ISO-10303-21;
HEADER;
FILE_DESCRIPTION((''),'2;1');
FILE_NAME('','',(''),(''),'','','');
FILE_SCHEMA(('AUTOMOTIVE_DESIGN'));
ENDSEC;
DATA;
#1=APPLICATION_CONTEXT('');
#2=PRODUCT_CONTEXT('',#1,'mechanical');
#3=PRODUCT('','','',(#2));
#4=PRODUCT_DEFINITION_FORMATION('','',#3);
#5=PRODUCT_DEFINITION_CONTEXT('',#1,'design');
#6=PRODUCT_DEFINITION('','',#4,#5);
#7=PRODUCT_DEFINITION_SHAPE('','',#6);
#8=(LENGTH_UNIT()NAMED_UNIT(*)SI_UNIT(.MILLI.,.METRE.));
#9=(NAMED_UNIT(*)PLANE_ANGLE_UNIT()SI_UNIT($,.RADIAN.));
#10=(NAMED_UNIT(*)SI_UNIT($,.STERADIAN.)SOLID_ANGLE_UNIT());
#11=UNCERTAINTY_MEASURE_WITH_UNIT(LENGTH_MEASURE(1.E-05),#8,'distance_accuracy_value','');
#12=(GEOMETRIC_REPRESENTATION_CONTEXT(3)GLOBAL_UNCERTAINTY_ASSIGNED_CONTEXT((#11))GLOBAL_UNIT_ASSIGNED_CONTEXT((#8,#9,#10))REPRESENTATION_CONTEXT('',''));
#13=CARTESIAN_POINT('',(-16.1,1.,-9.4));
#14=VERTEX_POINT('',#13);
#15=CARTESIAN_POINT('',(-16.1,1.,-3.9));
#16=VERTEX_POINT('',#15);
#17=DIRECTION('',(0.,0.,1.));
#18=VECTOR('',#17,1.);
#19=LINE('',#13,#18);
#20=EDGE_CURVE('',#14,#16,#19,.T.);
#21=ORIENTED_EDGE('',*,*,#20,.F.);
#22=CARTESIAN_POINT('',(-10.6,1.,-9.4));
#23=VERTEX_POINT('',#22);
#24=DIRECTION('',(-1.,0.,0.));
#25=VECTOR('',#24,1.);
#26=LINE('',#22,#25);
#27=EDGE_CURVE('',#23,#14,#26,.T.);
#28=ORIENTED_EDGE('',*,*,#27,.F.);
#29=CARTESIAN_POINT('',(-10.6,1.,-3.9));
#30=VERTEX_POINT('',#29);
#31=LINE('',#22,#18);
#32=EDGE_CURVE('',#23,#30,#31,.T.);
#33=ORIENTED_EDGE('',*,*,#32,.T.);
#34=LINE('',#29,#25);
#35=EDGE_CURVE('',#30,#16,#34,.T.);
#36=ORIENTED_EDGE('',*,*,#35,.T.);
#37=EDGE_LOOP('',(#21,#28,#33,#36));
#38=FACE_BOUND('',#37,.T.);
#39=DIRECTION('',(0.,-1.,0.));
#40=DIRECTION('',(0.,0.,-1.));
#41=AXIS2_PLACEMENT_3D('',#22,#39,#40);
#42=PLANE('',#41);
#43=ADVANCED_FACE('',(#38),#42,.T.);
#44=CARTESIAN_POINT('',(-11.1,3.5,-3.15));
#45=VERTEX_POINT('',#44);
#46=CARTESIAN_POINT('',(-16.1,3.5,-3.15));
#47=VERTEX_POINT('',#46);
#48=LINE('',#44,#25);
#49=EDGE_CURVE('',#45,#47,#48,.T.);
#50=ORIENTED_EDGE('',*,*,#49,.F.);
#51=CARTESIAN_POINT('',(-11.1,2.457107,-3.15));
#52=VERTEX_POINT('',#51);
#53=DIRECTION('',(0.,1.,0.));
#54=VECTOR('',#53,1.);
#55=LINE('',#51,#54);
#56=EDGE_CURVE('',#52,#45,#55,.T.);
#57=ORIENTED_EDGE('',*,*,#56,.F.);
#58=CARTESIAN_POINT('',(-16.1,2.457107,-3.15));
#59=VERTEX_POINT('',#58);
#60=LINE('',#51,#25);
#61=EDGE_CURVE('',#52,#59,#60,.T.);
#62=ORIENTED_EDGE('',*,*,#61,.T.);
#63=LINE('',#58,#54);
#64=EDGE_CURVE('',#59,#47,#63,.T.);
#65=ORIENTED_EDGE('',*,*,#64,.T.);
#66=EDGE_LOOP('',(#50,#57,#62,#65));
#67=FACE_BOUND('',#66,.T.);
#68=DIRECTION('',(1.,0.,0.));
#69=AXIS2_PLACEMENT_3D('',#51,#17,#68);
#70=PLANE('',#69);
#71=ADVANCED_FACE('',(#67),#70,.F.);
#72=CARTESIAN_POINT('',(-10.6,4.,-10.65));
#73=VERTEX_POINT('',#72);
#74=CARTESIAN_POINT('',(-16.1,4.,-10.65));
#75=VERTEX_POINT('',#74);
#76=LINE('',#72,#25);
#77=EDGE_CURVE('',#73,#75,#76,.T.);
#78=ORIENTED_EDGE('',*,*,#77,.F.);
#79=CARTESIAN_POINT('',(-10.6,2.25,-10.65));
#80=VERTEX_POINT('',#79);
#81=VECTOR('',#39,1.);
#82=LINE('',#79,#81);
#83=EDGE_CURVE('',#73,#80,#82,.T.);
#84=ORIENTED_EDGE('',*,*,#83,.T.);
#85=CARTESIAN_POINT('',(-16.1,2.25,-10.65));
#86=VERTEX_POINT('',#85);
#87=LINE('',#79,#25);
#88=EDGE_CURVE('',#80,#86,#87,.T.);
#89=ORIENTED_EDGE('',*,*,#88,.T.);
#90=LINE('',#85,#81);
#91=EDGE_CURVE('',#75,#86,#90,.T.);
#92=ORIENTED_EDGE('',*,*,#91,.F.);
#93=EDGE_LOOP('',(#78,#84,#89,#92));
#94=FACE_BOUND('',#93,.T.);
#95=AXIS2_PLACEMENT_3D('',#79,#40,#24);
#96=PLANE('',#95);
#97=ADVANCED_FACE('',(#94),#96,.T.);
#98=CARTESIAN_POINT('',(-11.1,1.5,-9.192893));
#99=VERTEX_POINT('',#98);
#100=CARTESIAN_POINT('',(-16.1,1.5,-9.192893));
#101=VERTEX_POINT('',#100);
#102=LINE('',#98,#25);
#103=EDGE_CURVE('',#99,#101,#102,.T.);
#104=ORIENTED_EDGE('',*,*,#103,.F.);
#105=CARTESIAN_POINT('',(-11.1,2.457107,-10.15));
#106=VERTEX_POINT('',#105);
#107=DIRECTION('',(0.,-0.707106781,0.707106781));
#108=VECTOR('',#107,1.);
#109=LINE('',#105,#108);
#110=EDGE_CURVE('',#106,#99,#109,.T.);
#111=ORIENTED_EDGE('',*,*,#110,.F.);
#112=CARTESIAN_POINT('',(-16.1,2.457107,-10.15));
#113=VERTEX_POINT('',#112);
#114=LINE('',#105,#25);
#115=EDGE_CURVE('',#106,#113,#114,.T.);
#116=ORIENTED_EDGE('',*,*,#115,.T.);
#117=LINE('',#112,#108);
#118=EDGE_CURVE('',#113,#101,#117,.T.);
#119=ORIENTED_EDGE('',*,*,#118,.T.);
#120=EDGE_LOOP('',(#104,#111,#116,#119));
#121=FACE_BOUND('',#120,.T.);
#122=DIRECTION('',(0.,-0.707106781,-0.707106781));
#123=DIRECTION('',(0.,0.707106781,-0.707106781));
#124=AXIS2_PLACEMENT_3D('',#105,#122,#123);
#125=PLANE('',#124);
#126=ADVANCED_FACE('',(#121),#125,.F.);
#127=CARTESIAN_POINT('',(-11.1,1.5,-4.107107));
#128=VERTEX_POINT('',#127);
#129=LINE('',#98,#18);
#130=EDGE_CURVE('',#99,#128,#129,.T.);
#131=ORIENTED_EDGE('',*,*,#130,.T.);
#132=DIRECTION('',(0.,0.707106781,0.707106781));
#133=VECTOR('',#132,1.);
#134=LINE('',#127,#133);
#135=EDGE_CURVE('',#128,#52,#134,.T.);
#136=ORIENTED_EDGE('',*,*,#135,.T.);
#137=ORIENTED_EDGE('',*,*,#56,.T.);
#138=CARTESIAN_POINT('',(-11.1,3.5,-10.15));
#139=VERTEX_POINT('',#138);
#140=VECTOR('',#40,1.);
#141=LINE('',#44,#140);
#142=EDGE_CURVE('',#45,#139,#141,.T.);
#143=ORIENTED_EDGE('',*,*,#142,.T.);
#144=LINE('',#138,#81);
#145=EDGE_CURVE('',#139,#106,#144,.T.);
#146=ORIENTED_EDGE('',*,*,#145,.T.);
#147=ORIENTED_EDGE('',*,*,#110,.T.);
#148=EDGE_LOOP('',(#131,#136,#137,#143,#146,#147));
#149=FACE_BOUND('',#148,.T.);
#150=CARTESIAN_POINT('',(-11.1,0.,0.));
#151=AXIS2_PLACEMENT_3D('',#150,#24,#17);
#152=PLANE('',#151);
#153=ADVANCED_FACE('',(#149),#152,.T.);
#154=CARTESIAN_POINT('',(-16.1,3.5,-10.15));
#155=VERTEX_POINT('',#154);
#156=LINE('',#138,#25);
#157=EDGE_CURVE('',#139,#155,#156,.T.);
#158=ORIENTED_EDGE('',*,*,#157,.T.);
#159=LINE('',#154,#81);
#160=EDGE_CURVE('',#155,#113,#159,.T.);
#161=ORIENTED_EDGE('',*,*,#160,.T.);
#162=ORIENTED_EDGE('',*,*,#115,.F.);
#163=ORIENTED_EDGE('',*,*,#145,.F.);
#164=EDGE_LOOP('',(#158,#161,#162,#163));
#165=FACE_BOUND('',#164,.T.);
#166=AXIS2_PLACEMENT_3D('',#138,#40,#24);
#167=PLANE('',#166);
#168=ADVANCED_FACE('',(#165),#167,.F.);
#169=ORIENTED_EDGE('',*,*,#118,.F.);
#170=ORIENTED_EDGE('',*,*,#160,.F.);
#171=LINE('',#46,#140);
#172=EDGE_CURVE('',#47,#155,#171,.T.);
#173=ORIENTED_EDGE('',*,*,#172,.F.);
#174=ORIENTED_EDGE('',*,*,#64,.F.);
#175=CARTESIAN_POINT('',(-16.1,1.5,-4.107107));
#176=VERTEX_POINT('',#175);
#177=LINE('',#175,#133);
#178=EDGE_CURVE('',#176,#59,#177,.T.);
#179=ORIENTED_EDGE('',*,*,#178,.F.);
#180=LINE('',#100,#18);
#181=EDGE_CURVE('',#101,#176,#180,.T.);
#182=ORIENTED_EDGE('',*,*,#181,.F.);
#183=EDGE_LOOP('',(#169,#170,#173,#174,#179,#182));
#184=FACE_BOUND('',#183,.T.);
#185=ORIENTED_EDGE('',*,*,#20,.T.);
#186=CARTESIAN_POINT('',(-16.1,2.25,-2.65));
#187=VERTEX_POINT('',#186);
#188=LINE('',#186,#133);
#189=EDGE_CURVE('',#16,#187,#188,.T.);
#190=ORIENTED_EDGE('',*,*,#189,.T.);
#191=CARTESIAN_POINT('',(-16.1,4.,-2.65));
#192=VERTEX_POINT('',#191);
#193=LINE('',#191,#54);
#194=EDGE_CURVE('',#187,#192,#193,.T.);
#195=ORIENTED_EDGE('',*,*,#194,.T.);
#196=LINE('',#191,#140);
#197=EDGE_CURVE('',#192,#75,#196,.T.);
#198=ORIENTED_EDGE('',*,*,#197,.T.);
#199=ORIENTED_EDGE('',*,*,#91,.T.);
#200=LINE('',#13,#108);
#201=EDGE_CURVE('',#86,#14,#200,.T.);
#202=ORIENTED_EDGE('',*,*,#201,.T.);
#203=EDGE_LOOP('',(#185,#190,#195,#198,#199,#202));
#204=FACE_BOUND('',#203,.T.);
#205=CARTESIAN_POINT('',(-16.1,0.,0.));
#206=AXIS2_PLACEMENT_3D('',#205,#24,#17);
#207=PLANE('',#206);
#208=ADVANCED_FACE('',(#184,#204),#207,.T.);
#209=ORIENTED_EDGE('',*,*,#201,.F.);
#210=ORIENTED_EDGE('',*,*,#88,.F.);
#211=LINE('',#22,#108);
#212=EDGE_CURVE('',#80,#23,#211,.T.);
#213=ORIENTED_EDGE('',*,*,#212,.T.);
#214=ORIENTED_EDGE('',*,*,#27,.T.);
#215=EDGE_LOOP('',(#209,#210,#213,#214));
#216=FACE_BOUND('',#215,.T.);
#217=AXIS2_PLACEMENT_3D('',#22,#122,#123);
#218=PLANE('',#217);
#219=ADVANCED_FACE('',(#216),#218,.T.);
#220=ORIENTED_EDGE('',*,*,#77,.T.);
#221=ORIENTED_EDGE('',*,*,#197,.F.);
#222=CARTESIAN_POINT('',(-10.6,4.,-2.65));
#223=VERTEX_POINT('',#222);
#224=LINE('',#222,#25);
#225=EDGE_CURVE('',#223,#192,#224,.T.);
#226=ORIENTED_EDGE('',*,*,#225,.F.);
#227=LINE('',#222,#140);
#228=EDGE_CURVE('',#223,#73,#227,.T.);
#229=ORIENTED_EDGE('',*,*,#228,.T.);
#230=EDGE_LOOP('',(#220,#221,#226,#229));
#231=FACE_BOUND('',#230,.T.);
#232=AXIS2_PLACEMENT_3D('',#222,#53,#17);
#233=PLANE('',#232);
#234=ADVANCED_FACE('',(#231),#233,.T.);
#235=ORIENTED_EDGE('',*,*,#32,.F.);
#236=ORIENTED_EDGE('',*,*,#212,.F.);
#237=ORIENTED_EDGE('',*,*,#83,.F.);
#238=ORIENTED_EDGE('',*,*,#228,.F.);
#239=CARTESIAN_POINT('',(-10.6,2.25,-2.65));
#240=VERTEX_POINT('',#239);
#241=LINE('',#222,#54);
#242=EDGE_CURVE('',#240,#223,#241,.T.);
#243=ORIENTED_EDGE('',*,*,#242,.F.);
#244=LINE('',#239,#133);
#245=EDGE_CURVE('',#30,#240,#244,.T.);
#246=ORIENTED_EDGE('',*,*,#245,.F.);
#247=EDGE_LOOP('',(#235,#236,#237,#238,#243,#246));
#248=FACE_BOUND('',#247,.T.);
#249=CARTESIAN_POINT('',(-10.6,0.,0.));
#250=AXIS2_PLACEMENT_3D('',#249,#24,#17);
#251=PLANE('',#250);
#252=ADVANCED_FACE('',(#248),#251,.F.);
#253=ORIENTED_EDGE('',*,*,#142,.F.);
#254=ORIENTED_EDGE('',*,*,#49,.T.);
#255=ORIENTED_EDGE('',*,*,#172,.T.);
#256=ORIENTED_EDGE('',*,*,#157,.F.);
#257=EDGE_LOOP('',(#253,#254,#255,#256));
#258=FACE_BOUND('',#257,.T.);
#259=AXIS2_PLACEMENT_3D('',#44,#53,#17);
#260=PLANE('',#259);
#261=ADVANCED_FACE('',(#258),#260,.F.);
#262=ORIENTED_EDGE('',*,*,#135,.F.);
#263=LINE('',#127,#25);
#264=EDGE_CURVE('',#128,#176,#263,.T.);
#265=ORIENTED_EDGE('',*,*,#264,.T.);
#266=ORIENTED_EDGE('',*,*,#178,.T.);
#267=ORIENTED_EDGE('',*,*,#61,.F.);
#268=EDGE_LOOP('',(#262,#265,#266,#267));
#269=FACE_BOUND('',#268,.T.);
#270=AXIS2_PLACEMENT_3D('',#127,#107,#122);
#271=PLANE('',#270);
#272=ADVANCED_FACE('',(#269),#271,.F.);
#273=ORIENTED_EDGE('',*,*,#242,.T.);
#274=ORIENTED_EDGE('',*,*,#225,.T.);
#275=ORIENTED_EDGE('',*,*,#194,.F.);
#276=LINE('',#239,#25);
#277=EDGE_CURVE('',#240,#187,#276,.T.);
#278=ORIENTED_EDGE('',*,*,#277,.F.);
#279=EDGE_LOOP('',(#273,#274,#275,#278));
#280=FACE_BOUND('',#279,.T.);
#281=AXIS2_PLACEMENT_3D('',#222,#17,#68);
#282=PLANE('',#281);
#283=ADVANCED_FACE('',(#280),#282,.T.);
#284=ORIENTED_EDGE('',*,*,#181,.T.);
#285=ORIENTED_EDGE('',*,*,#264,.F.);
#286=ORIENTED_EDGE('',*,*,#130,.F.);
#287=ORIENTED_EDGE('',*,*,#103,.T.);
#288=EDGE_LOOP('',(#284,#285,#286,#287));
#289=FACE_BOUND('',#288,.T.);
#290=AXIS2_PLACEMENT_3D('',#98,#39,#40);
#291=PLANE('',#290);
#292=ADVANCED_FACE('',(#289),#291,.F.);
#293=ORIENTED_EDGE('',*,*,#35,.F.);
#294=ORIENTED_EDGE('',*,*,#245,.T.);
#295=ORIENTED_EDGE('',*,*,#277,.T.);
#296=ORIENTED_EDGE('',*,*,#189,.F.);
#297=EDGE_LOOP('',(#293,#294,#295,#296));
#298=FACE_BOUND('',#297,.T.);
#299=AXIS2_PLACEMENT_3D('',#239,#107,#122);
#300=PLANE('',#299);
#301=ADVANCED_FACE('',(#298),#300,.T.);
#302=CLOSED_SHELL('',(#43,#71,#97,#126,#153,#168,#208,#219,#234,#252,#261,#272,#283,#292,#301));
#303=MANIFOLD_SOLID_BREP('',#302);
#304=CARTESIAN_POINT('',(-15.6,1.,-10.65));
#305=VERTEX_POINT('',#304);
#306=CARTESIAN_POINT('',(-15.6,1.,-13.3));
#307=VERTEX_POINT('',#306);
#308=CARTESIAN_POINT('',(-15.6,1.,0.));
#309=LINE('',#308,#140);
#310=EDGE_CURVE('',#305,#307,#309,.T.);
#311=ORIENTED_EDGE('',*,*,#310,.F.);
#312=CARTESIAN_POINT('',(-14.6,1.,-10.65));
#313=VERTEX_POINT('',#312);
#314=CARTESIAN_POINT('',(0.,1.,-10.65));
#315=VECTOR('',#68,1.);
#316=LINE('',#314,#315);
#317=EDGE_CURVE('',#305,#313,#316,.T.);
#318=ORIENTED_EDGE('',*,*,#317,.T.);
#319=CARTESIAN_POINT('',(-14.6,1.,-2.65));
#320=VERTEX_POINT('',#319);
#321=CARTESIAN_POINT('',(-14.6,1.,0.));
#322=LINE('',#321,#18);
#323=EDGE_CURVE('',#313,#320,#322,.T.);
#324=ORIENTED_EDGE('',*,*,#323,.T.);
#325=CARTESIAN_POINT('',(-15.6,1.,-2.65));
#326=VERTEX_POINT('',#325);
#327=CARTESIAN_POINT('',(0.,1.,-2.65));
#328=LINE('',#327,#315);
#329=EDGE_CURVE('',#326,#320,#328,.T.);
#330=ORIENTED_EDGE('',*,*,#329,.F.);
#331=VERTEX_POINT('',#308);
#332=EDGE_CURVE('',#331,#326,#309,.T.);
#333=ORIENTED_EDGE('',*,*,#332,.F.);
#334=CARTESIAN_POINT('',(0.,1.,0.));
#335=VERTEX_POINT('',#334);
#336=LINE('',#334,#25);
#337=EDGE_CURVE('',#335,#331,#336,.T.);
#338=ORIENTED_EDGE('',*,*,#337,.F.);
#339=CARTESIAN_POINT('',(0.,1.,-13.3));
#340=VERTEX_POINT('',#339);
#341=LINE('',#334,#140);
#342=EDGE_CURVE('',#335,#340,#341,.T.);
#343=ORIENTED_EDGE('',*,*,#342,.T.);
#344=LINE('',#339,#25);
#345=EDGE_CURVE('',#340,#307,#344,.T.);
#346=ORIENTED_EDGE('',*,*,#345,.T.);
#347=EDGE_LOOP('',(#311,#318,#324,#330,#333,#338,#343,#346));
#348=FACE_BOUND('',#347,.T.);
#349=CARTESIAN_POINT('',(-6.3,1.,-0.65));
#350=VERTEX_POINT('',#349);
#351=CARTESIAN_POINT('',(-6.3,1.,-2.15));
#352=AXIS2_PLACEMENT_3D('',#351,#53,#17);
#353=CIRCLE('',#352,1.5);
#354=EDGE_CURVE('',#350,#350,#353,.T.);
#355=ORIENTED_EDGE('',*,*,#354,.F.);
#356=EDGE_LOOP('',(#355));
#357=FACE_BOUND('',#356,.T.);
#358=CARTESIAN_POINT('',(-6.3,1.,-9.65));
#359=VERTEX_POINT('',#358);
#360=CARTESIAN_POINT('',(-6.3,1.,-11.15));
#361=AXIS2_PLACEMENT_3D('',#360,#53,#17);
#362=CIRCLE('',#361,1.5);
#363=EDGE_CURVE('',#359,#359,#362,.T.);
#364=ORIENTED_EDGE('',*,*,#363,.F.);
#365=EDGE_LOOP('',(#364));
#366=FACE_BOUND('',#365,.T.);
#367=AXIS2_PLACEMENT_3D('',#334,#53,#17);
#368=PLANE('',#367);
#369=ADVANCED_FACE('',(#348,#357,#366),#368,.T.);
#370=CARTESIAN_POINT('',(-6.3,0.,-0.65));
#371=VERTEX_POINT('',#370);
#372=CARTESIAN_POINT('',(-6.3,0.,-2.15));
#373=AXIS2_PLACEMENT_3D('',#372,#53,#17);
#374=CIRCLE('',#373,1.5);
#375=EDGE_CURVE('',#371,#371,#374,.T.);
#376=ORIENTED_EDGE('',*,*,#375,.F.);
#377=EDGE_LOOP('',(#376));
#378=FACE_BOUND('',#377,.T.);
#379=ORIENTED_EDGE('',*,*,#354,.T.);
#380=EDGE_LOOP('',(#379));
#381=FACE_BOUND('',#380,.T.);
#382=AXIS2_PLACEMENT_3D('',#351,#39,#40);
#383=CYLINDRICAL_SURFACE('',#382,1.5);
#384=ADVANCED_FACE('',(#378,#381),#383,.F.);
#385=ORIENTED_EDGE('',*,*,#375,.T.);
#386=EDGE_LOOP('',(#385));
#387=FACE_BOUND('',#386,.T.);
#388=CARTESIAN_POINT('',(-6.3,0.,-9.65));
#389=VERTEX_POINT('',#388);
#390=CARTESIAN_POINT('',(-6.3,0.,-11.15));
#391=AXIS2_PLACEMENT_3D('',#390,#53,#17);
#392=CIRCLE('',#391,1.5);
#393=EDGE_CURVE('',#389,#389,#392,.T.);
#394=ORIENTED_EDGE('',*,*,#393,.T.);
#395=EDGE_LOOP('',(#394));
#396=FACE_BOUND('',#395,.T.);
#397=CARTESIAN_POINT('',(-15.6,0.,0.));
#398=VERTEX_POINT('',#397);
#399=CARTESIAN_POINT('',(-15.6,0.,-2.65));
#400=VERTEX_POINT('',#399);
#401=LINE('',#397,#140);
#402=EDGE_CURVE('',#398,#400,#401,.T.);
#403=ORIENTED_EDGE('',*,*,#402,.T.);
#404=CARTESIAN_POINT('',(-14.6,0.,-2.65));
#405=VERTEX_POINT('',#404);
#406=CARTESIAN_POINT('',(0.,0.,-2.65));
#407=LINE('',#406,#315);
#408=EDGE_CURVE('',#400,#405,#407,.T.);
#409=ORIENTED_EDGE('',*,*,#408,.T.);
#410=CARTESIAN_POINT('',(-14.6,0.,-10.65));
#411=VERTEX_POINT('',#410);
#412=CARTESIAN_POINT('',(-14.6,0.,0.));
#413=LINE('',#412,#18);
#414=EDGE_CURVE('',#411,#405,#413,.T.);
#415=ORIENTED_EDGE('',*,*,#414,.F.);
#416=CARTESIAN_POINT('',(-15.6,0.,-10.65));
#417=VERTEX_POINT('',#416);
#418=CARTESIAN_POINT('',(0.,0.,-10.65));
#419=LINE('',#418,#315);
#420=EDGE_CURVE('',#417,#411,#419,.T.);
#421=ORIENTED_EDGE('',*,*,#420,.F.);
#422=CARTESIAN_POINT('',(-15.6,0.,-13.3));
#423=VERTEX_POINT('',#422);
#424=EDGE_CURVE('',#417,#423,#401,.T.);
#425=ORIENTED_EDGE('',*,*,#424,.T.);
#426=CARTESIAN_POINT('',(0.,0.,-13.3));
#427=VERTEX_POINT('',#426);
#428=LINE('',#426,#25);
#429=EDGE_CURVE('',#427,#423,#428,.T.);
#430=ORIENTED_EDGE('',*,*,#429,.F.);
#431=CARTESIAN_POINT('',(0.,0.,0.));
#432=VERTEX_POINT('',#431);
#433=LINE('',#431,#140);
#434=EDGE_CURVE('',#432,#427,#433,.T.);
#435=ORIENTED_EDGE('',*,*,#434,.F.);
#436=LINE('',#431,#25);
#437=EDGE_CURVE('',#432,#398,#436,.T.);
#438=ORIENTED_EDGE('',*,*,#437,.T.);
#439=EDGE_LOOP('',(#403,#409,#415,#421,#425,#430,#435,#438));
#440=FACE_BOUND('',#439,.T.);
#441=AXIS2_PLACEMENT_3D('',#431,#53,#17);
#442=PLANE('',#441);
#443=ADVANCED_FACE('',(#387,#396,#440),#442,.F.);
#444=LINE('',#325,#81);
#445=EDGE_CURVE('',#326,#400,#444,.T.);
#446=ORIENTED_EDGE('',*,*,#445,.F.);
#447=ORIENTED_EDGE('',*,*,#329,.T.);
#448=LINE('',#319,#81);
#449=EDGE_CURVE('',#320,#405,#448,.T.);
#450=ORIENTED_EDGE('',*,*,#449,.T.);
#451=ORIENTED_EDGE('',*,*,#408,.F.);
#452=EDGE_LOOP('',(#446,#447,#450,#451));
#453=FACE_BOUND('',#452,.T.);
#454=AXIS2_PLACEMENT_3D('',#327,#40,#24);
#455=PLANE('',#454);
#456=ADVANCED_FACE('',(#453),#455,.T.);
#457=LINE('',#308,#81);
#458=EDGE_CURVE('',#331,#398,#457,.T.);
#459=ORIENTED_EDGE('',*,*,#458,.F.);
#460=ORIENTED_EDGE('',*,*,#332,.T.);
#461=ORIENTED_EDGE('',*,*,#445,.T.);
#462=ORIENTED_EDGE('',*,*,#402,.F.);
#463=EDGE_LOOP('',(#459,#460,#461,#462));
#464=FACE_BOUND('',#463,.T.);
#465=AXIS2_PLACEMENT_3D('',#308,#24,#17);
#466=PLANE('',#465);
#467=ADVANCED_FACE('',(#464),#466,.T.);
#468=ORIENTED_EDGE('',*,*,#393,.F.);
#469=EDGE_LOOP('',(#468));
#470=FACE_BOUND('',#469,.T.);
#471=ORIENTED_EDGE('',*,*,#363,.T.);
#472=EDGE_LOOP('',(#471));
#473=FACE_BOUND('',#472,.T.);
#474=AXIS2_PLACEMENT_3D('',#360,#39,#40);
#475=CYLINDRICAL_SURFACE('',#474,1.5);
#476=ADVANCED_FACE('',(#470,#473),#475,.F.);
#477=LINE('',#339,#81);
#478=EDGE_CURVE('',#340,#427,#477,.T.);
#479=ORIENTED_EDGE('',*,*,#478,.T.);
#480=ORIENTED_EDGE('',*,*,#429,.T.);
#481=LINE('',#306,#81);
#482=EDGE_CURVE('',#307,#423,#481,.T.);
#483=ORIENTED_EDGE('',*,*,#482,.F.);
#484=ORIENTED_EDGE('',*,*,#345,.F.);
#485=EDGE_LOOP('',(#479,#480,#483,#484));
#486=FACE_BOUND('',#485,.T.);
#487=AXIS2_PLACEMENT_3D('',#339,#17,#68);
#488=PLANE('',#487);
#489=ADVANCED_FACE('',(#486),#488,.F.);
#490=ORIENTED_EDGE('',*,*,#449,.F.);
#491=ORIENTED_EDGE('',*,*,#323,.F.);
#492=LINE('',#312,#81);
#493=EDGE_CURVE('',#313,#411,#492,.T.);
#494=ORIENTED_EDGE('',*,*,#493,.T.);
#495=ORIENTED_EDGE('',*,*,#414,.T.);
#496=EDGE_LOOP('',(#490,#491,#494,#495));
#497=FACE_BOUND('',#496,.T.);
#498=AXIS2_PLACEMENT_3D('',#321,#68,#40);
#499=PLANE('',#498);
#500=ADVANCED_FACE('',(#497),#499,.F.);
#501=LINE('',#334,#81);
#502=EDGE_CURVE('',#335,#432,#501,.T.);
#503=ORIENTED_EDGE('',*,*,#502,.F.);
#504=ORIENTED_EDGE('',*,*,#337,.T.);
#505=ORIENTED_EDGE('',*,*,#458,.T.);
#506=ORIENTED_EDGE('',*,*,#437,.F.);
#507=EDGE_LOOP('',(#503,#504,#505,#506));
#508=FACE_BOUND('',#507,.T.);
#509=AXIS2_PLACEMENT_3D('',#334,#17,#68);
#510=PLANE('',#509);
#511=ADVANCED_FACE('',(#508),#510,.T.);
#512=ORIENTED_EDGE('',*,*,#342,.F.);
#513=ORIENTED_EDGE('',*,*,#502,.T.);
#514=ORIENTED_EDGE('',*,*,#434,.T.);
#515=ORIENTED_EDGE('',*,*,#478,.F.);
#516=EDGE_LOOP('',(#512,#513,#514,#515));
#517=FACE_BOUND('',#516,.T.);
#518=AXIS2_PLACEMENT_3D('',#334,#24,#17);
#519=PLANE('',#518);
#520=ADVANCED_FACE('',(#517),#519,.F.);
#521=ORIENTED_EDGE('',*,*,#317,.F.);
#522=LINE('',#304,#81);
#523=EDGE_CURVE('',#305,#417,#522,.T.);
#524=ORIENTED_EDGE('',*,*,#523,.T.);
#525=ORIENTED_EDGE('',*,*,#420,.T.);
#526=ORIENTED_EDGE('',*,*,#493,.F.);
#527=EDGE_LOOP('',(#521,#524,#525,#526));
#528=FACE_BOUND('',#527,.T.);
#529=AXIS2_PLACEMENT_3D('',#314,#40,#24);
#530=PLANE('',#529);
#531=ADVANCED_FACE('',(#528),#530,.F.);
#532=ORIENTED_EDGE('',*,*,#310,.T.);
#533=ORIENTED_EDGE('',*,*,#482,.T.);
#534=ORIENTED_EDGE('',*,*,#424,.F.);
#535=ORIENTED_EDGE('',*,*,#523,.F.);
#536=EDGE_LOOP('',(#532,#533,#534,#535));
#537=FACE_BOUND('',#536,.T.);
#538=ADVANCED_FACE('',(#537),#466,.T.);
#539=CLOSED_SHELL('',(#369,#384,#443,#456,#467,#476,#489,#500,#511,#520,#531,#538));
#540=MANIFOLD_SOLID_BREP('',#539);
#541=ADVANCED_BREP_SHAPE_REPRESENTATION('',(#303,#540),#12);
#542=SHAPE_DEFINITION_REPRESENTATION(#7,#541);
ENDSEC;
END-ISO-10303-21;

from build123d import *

# Parameters (mm, degrees)
SKETCH1_R           = 1.5
BOSS_EXTRUDE1_DEPTH = 1
BOSS_EXTRUDE2_DEPTH = 5.5
CUT_EXTRUDE1_DEPTH  = 5


with BuildPart() as part:
    # Sketch1 → Boss-Extrude1 (new body)
    with BuildSketch(Plane(origin=(0, 0, 0), x_dir=(1, 0, 0), z_dir=(0, 1, 0))):
        Polygon((-15.6, 0), (0, 0), (0, 13.3), (-15.6, 13.3), (-15.6, 10.65), (-14.6, 10.65), (-14.6, 2.65), (-15.6, 2.65), align=None)
        with Locations(Location((-6.3, 2.15, 0), (0, 0, 270))):
            Circle(SKETCH1_R, mode=Mode.SUBTRACT)
        with Locations(Location((-6.3, 11.15, 0), (0, 0, 270))):
            Circle(SKETCH1_R, mode=Mode.SUBTRACT)
    extrude(amount=BOSS_EXTRUDE1_DEPTH)


with BuildPart() as body_2:
    # Sketch2 → Boss-Extrude2 (new body)
    with BuildSketch(Plane.ZY.offset(16.1)):
        Polygon((-2.65, 4), (-10.65, 4), (-10.65, 2.25), (-9.4, 1), (-3.9, 1), (-2.65, 2.25), align=None)
    extrude(amount=-BOSS_EXTRUDE2_DEPTH)

    # Sketch3 → Cut-Extrude1 (cut)
    with BuildSketch(Plane.ZY.offset(16.1)):
        Polygon((-10.15, 3.5), (-10.15, 2.457106781), (-9.192893219, 1.5), (-4.107106781, 1.5), (-3.15, 2.457106781), (-3.15, 3.5), align=None)
    extrude(amount=-CUT_EXTRUDE1_DEPTH, mode=Mode.SUBTRACT)


solid = Compound([part.part, body_2.part])
